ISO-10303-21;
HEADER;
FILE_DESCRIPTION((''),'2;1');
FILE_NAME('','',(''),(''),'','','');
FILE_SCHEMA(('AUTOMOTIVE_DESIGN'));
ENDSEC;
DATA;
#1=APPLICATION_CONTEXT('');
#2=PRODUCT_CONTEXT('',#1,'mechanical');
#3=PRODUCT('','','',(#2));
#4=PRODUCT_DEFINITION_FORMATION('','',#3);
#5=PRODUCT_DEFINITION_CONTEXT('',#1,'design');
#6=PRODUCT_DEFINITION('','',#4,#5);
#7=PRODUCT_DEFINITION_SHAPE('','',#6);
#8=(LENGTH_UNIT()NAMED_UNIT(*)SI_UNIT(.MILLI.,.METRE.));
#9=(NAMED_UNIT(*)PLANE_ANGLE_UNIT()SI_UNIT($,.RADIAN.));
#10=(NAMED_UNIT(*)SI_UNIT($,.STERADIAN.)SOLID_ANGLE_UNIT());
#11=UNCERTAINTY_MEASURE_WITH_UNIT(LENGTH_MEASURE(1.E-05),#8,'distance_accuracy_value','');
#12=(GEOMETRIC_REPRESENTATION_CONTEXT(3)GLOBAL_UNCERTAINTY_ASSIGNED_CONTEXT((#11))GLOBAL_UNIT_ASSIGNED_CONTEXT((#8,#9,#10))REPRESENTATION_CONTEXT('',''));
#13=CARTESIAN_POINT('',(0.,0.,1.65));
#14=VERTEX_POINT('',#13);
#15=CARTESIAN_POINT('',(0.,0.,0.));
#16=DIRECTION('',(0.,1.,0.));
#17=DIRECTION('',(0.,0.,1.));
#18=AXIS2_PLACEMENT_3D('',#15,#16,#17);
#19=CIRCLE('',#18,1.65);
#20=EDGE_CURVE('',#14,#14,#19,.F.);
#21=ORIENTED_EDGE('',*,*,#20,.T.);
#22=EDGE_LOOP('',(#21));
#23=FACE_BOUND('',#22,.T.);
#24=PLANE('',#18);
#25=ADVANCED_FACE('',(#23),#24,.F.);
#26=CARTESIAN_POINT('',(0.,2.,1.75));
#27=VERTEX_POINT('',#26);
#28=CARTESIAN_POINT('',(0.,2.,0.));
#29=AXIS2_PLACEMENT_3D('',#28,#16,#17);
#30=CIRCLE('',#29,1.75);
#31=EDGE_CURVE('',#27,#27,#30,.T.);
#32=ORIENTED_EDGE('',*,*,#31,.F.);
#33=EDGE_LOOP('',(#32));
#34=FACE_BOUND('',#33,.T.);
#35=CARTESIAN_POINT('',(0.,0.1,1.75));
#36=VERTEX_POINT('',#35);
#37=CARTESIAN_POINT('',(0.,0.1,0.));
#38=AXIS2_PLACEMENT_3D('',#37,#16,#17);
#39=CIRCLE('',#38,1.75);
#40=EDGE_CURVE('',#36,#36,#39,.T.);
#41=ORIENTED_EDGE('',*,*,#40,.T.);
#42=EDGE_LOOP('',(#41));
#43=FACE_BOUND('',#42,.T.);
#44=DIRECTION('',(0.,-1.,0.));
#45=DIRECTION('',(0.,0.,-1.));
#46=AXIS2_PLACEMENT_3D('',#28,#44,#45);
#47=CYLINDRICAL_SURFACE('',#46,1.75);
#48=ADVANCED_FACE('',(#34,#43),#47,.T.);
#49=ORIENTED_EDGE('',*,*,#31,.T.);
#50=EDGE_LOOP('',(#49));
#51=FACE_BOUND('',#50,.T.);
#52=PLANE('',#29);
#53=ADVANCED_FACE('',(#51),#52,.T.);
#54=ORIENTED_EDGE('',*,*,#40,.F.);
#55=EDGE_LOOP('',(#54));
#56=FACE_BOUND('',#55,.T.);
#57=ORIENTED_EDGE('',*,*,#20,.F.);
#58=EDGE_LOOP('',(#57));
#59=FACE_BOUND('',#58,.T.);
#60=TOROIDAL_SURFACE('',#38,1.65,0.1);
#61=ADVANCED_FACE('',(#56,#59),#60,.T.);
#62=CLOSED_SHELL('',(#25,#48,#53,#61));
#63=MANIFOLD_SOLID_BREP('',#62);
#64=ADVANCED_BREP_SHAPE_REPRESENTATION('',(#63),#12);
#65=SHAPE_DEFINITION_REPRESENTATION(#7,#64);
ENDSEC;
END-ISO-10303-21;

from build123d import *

# Parameters (mm, degrees)
SKETCH1_R           = 1.75
BOSS_EXTRUDE1_DEPTH = 2
FILLET3_R           = 0.1


with BuildPart() as part:
    # Sketch1 → Boss-Extrude1 (new body)
    with BuildSketch(Plane(origin=(0, 0, 0), x_dir=(1, 0, 0), z_dir=(0, 1, 0))):
        Circle(SKETCH1_R)
    extrude(amount=BOSS_EXTRUDE1_DEPTH)

    # Fillet3
    fillet3_edges = [part.edges().sort_by_distance(p)[0] for p in [
        (-1.75, 0, 0),
    ]]
    fillet(fillet3_edges, radius=FILLET3_R)


solid = part.part
